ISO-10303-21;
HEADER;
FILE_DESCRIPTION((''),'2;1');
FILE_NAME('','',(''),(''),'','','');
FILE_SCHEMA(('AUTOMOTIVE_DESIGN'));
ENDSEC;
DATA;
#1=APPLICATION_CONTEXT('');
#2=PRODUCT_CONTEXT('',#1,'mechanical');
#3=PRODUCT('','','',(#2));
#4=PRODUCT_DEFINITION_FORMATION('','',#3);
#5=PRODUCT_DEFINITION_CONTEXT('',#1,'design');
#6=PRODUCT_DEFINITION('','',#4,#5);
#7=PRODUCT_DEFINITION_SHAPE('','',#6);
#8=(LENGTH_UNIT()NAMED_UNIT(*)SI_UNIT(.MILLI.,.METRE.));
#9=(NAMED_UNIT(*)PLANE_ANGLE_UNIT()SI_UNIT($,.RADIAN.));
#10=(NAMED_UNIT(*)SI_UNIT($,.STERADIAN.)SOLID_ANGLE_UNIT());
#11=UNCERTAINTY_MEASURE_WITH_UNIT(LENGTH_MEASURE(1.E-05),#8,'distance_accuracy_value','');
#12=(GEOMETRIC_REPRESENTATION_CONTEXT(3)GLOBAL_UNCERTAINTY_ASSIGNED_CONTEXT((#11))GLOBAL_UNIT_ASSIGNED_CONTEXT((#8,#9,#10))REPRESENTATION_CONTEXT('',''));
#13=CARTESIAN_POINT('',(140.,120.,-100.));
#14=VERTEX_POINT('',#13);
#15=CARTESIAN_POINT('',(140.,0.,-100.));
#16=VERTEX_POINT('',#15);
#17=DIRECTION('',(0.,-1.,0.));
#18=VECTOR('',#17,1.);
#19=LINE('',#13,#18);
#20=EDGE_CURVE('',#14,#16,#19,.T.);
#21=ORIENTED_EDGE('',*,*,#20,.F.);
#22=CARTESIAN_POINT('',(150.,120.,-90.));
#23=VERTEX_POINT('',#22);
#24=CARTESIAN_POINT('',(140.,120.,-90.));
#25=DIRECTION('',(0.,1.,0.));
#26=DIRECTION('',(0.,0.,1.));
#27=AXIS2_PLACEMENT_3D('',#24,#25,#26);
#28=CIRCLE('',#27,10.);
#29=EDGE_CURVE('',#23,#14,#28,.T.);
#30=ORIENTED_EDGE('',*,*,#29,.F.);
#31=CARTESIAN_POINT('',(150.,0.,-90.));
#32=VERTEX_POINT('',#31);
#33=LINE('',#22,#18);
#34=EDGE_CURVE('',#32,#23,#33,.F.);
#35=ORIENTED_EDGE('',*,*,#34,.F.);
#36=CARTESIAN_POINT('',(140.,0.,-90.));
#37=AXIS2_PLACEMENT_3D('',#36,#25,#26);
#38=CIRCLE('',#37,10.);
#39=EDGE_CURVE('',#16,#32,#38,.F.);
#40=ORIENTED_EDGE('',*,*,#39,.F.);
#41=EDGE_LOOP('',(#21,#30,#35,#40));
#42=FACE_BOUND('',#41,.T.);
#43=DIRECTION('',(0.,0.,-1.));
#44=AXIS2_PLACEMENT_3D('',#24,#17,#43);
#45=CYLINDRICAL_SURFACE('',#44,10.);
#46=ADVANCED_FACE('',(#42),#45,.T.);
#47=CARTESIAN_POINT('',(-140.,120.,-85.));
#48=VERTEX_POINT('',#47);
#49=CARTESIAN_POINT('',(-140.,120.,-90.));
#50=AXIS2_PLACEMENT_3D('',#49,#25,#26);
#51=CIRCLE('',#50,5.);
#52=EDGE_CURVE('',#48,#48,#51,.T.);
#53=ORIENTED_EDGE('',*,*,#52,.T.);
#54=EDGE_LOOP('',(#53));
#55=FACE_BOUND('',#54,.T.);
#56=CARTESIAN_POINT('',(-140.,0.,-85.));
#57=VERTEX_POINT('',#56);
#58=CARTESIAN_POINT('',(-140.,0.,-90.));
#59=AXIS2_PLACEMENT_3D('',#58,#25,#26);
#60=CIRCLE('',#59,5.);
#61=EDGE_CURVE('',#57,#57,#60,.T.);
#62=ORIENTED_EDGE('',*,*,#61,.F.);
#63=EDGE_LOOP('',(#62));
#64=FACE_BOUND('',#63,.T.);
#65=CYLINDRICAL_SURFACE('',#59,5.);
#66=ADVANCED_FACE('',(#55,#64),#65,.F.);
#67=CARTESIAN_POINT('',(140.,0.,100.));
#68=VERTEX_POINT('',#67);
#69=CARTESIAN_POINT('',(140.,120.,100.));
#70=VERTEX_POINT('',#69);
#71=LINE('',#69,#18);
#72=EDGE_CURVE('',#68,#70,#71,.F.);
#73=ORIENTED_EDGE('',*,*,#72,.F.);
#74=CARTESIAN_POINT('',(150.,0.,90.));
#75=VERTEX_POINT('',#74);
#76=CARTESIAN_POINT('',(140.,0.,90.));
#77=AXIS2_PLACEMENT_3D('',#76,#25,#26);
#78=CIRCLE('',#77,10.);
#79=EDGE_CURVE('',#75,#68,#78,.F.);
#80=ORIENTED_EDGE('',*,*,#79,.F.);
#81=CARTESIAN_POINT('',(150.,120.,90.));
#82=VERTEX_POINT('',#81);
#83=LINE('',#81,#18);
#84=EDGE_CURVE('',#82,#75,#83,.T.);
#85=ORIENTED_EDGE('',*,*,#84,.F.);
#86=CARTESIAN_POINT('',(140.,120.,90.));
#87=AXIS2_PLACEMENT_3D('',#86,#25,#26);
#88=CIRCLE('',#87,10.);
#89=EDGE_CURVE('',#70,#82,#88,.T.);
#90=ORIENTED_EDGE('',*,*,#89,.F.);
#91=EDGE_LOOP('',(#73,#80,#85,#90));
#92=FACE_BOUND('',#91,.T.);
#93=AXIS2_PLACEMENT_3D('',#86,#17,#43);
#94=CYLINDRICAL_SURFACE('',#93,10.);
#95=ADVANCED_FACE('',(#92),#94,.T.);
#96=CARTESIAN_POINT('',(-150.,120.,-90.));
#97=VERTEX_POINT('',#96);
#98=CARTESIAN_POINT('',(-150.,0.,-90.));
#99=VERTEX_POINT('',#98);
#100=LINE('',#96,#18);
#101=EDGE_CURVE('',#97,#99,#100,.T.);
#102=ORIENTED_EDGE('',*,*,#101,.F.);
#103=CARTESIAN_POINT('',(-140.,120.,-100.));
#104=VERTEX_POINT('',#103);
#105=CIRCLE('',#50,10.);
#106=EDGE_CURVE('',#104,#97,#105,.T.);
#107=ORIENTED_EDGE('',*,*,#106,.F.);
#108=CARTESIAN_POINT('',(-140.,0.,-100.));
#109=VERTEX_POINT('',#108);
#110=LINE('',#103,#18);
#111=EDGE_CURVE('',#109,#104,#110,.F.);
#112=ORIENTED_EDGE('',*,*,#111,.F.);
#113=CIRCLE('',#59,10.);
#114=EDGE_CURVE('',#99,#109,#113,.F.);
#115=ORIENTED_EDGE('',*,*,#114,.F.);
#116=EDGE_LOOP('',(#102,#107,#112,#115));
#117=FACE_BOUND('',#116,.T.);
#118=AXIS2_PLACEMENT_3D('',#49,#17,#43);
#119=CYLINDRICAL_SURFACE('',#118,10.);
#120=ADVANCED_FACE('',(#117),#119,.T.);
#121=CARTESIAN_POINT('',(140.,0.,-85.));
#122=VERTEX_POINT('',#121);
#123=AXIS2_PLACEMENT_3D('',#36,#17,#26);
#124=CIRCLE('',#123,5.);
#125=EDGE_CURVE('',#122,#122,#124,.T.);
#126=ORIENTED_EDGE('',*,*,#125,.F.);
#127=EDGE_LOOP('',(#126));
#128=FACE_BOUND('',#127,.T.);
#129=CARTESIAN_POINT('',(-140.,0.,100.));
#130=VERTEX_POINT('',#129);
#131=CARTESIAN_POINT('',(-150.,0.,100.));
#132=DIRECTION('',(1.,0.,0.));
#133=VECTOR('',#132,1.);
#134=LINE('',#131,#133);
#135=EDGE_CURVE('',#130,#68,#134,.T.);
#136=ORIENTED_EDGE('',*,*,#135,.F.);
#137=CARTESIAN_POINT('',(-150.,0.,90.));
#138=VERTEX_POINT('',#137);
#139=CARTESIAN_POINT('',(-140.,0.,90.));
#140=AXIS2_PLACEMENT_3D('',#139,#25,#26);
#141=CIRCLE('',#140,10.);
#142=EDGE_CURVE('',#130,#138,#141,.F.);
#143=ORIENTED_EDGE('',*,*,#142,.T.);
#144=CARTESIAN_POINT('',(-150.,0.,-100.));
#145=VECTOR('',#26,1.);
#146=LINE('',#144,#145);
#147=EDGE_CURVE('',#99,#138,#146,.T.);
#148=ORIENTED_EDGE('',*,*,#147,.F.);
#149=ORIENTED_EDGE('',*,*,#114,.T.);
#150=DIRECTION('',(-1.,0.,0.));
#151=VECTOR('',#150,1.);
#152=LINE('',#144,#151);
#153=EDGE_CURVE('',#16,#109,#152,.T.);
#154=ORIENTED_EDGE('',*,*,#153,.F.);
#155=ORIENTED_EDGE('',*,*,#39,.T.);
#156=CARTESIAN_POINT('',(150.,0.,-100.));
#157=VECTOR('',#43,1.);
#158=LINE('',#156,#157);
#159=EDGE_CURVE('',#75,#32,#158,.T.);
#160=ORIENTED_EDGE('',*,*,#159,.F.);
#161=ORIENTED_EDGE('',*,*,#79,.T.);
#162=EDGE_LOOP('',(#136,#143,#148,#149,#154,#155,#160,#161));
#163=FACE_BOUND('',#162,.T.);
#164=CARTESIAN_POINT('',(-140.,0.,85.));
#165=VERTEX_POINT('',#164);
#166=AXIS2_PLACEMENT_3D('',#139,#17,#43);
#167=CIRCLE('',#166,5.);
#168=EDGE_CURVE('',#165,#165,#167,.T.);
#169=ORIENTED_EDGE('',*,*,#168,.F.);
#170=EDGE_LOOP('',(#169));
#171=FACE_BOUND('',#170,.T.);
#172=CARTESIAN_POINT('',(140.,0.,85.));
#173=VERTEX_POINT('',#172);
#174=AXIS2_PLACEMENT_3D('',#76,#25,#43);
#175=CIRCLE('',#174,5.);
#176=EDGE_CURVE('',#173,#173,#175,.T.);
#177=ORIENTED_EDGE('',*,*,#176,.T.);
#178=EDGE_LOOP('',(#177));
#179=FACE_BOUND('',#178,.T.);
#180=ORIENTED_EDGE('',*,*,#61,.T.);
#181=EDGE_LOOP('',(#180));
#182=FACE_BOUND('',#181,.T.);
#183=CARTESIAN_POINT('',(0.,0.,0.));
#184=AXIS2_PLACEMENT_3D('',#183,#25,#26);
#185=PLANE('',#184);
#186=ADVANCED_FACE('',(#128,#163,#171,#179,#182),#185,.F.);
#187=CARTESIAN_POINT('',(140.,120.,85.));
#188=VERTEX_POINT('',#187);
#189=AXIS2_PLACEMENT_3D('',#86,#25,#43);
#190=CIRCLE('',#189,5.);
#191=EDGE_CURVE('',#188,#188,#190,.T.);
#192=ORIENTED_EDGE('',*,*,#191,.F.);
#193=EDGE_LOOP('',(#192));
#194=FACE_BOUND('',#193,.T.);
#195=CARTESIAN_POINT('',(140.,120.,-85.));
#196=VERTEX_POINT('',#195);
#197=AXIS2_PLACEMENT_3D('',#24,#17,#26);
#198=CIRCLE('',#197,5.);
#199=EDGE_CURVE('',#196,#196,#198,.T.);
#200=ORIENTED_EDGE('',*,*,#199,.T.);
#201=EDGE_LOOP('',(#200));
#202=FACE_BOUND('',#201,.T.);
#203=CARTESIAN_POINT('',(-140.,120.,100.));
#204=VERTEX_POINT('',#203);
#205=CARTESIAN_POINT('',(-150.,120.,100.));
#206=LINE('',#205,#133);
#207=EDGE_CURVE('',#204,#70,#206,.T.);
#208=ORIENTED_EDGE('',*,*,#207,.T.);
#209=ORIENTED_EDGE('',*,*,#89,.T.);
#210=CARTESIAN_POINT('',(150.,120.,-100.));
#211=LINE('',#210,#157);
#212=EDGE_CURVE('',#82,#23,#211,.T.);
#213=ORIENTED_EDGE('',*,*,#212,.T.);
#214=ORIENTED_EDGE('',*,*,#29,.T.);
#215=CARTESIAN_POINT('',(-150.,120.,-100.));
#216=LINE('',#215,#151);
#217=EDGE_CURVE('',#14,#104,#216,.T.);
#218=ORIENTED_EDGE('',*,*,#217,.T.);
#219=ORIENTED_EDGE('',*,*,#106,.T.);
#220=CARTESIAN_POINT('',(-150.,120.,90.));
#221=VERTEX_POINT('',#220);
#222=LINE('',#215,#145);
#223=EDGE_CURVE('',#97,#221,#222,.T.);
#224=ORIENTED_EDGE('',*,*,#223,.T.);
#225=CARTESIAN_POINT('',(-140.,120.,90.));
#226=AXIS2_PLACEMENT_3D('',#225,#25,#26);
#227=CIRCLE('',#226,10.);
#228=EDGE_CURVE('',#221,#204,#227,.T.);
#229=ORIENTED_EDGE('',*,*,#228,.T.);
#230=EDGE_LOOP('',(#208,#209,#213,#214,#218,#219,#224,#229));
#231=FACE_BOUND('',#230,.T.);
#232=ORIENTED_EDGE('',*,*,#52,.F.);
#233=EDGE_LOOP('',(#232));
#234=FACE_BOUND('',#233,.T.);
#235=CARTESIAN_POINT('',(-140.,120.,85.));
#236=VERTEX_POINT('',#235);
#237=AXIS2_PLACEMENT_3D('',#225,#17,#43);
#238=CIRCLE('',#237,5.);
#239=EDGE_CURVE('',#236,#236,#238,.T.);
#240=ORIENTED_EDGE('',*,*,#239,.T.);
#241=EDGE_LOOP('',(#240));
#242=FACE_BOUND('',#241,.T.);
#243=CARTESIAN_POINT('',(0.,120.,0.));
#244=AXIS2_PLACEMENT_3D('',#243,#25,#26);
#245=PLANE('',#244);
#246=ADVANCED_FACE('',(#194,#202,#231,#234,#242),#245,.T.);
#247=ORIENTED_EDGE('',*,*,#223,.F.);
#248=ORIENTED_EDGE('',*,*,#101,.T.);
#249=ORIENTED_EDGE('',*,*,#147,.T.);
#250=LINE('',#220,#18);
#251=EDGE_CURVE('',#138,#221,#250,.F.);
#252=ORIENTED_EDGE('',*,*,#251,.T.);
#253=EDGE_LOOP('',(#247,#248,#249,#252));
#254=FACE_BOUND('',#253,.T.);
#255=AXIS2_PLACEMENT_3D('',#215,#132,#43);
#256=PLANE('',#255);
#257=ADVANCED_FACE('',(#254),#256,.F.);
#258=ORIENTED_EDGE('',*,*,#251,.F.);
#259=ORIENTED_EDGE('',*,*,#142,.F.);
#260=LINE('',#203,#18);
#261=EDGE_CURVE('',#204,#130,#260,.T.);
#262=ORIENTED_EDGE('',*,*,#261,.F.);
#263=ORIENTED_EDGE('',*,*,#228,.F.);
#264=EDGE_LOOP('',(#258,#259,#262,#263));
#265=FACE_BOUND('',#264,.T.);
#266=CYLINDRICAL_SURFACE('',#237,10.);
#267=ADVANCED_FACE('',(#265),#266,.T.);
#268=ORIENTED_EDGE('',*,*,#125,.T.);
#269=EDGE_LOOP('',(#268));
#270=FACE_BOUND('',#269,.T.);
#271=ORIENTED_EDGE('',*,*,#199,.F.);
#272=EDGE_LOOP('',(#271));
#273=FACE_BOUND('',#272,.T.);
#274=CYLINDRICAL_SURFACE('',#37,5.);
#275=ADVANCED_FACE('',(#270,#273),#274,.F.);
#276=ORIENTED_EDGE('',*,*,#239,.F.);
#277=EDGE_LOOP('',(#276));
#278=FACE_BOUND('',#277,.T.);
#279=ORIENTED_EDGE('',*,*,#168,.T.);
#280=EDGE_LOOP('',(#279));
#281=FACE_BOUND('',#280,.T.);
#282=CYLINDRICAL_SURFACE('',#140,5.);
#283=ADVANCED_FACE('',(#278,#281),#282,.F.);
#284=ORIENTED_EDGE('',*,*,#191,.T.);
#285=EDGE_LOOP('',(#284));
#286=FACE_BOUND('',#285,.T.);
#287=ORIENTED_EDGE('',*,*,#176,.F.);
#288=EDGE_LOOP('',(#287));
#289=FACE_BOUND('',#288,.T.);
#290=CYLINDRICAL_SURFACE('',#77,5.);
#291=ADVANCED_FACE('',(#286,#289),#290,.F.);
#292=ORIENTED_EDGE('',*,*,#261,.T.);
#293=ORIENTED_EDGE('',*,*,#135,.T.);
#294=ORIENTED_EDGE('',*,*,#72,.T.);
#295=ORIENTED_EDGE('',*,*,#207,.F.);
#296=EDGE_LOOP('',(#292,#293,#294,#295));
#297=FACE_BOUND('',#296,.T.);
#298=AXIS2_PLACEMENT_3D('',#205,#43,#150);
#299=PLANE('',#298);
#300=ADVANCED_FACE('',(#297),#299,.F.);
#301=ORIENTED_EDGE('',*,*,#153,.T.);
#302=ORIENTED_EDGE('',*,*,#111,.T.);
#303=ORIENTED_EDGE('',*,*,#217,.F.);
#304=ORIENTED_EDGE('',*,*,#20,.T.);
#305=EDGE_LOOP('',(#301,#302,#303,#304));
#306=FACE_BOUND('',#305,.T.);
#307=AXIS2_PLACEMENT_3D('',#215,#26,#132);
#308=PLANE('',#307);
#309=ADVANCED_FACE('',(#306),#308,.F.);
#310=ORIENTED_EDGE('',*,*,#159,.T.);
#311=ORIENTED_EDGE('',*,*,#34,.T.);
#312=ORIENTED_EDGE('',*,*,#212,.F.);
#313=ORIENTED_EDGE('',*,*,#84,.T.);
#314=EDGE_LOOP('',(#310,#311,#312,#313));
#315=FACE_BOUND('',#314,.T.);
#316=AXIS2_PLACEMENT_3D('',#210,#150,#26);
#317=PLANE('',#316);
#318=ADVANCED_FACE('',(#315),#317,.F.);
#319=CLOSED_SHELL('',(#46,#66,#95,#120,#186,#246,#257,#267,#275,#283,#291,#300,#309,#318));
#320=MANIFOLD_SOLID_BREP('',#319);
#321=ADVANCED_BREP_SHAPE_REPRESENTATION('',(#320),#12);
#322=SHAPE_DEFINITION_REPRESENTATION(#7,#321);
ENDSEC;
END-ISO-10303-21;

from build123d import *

# Parameters (mm, degrees)
CROQUIS1_W                                 = 300
CROQUIS1_H                                 = 200
SALIENTE_EXTRUIR1_DEPTH                    = 120
REDONDEO1_R                                = 10
CROQUIS2_R                                 = 5
CORTAR_EXTRUIR1_DEPTH                      = 217.564078277
SIMETR_A1_AT_THE_SECOND_PLANE_COPY_1_SKE_R = 5
SIMETR_A1_AT_THE_SECOND_PLANE_COPY_1_DEPTH = 217.564078277


with BuildPart() as part:
    # Croquis1 → Saliente-Extruir1 (new body)
    with BuildSketch(Plane(origin=(0, 0, 0), x_dir=(1, 0, 0), z_dir=(0, 1, 0))):
        Rectangle(CROQUIS1_W, CROQUIS1_H)
    extrude(amount=SALIENTE_EXTRUIR1_DEPTH)

    # Redondeo1
    redondeo1_edges = [part.edges().sort_by_distance(p)[0] for p in [
        (-150, 60, -100),
        (150, 60, -100),
        (150, 60, 100),
        (-150, 60, 100),
    ]]
    fillet(redondeo1_edges, radius=REDONDEO1_R)

    # Croquis2 → Cortar-Extruir1 (cut, through all)
    with BuildSketch(Plane(origin=(0, 120, 0), x_dir=(1, 0, 0), z_dir=(0, 1, 0))):
        with Locations(Location((-140, 90, 0), (0, 0, 270))):
            Circle(CROQUIS2_R)
    cortar_extruir1 = extrude(amount=-CORTAR_EXTRUIR1_DEPTH, mode=Mode.SUBTRACT)

    # Simetría1: Cortar-Extruir1 across plane
    add(cortar_extruir1.mirror(Plane.XY), mode=Mode.SUBTRACT)

    # Simetría1 at the second plane: Cortar-Extruir1 across plane
    add(cortar_extruir1.mirror(Plane(origin=(0, 0, 0), x_dir=(0, 0, 1), z_dir=(1, 0, 0))), mode=Mode.SUBTRACT)

    # Simetría1 at the second plane copy 1 ske → Simetría1 at the second plane copy 1 (cut, through all)
    with BuildSketch(Plane(origin=(0, 120, 0), x_dir=(-1, 0, 0), z_dir=(0, 1, 0))):
        with Locations(Location((-140, 90, 0), (0, 0, 270))):
            Circle(SIMETR_A1_AT_THE_SECOND_PLANE_COPY_1_SKE_R)
    extrude(amount=-SIMETR_A1_AT_THE_SECOND_PLANE_COPY_1_DEPTH, mode=Mode.SUBTRACT)


solid = part.part
